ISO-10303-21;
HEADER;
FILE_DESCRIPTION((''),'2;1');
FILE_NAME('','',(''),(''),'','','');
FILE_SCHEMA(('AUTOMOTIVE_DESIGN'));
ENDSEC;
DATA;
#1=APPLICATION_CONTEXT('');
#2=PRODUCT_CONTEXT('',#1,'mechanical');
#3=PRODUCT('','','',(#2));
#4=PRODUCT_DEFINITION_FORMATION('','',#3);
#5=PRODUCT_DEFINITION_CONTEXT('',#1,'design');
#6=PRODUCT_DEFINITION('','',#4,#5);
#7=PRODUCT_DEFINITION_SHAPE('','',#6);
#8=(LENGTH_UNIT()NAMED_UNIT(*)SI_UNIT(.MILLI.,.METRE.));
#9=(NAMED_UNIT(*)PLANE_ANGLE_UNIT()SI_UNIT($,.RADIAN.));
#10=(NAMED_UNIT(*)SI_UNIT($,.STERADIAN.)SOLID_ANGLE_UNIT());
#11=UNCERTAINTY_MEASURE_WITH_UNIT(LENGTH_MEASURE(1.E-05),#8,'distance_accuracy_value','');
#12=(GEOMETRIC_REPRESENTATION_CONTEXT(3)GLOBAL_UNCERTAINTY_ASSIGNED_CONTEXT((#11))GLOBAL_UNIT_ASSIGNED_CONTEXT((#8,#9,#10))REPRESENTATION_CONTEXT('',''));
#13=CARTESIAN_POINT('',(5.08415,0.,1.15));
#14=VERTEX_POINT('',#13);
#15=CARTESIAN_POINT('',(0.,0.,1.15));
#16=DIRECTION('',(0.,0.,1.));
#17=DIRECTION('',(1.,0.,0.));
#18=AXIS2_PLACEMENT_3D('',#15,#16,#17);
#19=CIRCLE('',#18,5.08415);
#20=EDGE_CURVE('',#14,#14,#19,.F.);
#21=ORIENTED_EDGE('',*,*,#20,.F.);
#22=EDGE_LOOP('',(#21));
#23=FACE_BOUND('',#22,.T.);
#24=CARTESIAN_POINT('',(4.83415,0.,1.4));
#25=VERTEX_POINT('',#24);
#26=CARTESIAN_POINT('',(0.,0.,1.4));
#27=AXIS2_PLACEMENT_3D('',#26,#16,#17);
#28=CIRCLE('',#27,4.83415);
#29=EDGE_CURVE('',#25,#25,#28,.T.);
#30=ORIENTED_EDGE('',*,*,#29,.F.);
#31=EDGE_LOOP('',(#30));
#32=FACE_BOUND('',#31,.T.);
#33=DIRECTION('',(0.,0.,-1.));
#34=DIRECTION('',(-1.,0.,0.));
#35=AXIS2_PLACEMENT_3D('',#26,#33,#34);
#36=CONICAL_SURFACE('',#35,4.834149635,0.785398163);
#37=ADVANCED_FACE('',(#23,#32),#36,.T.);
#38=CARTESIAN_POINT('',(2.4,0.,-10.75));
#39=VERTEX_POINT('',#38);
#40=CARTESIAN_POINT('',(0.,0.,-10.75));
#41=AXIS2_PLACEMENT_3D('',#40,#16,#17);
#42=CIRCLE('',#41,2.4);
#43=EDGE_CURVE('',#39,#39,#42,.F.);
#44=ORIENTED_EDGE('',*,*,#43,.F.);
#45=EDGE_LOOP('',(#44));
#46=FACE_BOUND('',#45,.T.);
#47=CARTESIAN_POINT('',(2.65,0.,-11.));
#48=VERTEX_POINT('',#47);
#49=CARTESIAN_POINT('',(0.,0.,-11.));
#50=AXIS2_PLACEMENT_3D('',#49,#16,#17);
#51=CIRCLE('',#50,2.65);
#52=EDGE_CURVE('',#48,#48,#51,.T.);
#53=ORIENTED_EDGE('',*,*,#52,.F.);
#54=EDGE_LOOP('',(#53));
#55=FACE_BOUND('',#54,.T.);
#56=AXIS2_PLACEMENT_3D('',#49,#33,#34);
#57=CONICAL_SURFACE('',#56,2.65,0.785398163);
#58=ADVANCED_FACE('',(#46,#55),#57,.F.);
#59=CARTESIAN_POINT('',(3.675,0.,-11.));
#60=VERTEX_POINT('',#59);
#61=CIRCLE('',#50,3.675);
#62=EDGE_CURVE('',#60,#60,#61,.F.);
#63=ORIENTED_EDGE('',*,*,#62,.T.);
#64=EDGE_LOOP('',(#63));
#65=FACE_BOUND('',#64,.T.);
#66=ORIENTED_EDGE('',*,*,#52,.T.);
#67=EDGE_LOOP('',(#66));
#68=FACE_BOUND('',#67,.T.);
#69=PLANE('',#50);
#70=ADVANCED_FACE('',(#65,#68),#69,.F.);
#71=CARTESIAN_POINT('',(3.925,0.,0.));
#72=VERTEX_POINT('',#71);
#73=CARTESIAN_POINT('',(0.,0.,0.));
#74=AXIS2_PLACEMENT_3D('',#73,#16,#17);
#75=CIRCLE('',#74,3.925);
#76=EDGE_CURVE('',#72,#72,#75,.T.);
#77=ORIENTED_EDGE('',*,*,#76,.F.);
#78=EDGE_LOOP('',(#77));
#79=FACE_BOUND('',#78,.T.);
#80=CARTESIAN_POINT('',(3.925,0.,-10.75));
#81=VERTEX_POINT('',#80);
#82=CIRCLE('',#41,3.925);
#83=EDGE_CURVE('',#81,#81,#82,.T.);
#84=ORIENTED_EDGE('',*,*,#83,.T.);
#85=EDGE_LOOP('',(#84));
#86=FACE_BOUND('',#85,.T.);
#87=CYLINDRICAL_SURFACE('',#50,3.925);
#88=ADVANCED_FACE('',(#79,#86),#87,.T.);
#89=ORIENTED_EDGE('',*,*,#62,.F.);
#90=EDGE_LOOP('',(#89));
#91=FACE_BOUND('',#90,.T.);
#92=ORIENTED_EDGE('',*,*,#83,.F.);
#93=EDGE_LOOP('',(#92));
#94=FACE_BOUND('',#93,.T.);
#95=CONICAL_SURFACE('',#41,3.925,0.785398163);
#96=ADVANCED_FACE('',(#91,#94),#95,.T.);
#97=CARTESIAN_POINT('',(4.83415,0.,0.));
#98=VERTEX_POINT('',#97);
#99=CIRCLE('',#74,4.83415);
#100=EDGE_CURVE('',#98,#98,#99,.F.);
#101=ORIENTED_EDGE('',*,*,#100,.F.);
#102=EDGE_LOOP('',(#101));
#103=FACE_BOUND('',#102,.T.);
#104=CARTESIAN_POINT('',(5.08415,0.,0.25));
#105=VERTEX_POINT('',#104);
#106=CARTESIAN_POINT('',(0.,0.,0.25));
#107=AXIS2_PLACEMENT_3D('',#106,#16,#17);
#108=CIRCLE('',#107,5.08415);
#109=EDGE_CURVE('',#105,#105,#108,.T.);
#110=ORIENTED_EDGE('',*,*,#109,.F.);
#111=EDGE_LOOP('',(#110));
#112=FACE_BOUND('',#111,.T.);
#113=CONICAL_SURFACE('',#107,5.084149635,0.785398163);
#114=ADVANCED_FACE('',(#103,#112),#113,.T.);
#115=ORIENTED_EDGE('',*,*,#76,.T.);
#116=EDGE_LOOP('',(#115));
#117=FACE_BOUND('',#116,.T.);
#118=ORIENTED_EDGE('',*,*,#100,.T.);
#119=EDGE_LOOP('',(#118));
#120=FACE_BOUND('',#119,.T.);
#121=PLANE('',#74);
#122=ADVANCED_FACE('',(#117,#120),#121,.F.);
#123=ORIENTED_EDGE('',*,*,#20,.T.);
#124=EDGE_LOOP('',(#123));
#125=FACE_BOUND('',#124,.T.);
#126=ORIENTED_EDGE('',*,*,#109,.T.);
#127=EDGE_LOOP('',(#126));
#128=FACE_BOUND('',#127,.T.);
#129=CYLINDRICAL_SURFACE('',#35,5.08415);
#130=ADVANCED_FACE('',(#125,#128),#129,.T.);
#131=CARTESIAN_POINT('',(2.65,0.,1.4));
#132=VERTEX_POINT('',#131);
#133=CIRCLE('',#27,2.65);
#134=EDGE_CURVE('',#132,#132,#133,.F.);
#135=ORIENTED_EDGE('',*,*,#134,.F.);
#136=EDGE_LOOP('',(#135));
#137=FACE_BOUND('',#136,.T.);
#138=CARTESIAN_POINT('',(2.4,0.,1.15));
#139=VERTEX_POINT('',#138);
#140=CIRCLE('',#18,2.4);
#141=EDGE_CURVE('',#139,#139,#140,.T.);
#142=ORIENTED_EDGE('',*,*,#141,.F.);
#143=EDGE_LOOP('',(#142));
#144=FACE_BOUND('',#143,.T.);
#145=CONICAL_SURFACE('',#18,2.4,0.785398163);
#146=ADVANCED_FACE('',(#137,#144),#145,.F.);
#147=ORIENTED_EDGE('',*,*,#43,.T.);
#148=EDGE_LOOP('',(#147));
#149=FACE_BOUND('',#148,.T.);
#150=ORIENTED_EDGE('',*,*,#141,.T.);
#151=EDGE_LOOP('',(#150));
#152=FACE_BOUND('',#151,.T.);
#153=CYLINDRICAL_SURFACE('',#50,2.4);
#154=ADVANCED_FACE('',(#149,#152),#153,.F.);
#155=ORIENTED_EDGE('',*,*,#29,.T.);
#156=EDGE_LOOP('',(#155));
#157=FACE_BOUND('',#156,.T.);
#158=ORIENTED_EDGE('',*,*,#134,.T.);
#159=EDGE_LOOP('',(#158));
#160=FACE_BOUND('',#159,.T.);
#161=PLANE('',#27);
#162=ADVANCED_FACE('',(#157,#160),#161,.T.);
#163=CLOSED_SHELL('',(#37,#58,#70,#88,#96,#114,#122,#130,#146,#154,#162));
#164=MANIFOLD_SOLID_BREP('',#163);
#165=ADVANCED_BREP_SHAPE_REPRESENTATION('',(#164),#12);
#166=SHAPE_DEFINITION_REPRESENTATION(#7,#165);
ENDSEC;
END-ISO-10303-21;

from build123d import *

# Parameters (mm, degrees)
SKETCH1_R           = 3.925
BOSS_EXTRUDE1_DEPTH = 11
SKETCH2_R           = 5.084149635
BOSS_EXTRUDE2_DEPTH = 1.4
SKETCH3_R           = 2.4
CUT_EXTRUDE1_DEPTH  = 13.4
CHAMFER1_SIZE       = 0.25


with BuildPart() as part:
    # Sketch1 → Boss-Extrude1 (new body)
    with BuildSketch(Plane.XY):
        Circle(SKETCH1_R)
    extrude(amount=-BOSS_EXTRUDE1_DEPTH)

    # Sketch2 → Boss-Extrude2 (add)
    with BuildSketch(Plane.XY):
        Circle(SKETCH2_R)
    extrude(amount=BOSS_EXTRUDE2_DEPTH)

    # Sketch3 → Cut-Extrude1 (cut, through all)
    with BuildSketch(Plane.XY.offset(1.4)):
        Circle(SKETCH3_R)
    extrude(amount=-CUT_EXTRUDE1_DEPTH, mode=Mode.SUBTRACT)

    # Chamfer1
    chamfer1_edges = [part.edges().sort_by_distance(p)[0] for p in [
        (-2.4, 0, -11),
        (-2.4, 0, 1.4),
        (-3.925, 0, -11),
        (-5.084149635, 0, 0),
        (-5.084149635, 0, 1.4),
    ]]
    chamfer(chamfer1_edges, length=CHAMFER1_SIZE)


solid = part.part
